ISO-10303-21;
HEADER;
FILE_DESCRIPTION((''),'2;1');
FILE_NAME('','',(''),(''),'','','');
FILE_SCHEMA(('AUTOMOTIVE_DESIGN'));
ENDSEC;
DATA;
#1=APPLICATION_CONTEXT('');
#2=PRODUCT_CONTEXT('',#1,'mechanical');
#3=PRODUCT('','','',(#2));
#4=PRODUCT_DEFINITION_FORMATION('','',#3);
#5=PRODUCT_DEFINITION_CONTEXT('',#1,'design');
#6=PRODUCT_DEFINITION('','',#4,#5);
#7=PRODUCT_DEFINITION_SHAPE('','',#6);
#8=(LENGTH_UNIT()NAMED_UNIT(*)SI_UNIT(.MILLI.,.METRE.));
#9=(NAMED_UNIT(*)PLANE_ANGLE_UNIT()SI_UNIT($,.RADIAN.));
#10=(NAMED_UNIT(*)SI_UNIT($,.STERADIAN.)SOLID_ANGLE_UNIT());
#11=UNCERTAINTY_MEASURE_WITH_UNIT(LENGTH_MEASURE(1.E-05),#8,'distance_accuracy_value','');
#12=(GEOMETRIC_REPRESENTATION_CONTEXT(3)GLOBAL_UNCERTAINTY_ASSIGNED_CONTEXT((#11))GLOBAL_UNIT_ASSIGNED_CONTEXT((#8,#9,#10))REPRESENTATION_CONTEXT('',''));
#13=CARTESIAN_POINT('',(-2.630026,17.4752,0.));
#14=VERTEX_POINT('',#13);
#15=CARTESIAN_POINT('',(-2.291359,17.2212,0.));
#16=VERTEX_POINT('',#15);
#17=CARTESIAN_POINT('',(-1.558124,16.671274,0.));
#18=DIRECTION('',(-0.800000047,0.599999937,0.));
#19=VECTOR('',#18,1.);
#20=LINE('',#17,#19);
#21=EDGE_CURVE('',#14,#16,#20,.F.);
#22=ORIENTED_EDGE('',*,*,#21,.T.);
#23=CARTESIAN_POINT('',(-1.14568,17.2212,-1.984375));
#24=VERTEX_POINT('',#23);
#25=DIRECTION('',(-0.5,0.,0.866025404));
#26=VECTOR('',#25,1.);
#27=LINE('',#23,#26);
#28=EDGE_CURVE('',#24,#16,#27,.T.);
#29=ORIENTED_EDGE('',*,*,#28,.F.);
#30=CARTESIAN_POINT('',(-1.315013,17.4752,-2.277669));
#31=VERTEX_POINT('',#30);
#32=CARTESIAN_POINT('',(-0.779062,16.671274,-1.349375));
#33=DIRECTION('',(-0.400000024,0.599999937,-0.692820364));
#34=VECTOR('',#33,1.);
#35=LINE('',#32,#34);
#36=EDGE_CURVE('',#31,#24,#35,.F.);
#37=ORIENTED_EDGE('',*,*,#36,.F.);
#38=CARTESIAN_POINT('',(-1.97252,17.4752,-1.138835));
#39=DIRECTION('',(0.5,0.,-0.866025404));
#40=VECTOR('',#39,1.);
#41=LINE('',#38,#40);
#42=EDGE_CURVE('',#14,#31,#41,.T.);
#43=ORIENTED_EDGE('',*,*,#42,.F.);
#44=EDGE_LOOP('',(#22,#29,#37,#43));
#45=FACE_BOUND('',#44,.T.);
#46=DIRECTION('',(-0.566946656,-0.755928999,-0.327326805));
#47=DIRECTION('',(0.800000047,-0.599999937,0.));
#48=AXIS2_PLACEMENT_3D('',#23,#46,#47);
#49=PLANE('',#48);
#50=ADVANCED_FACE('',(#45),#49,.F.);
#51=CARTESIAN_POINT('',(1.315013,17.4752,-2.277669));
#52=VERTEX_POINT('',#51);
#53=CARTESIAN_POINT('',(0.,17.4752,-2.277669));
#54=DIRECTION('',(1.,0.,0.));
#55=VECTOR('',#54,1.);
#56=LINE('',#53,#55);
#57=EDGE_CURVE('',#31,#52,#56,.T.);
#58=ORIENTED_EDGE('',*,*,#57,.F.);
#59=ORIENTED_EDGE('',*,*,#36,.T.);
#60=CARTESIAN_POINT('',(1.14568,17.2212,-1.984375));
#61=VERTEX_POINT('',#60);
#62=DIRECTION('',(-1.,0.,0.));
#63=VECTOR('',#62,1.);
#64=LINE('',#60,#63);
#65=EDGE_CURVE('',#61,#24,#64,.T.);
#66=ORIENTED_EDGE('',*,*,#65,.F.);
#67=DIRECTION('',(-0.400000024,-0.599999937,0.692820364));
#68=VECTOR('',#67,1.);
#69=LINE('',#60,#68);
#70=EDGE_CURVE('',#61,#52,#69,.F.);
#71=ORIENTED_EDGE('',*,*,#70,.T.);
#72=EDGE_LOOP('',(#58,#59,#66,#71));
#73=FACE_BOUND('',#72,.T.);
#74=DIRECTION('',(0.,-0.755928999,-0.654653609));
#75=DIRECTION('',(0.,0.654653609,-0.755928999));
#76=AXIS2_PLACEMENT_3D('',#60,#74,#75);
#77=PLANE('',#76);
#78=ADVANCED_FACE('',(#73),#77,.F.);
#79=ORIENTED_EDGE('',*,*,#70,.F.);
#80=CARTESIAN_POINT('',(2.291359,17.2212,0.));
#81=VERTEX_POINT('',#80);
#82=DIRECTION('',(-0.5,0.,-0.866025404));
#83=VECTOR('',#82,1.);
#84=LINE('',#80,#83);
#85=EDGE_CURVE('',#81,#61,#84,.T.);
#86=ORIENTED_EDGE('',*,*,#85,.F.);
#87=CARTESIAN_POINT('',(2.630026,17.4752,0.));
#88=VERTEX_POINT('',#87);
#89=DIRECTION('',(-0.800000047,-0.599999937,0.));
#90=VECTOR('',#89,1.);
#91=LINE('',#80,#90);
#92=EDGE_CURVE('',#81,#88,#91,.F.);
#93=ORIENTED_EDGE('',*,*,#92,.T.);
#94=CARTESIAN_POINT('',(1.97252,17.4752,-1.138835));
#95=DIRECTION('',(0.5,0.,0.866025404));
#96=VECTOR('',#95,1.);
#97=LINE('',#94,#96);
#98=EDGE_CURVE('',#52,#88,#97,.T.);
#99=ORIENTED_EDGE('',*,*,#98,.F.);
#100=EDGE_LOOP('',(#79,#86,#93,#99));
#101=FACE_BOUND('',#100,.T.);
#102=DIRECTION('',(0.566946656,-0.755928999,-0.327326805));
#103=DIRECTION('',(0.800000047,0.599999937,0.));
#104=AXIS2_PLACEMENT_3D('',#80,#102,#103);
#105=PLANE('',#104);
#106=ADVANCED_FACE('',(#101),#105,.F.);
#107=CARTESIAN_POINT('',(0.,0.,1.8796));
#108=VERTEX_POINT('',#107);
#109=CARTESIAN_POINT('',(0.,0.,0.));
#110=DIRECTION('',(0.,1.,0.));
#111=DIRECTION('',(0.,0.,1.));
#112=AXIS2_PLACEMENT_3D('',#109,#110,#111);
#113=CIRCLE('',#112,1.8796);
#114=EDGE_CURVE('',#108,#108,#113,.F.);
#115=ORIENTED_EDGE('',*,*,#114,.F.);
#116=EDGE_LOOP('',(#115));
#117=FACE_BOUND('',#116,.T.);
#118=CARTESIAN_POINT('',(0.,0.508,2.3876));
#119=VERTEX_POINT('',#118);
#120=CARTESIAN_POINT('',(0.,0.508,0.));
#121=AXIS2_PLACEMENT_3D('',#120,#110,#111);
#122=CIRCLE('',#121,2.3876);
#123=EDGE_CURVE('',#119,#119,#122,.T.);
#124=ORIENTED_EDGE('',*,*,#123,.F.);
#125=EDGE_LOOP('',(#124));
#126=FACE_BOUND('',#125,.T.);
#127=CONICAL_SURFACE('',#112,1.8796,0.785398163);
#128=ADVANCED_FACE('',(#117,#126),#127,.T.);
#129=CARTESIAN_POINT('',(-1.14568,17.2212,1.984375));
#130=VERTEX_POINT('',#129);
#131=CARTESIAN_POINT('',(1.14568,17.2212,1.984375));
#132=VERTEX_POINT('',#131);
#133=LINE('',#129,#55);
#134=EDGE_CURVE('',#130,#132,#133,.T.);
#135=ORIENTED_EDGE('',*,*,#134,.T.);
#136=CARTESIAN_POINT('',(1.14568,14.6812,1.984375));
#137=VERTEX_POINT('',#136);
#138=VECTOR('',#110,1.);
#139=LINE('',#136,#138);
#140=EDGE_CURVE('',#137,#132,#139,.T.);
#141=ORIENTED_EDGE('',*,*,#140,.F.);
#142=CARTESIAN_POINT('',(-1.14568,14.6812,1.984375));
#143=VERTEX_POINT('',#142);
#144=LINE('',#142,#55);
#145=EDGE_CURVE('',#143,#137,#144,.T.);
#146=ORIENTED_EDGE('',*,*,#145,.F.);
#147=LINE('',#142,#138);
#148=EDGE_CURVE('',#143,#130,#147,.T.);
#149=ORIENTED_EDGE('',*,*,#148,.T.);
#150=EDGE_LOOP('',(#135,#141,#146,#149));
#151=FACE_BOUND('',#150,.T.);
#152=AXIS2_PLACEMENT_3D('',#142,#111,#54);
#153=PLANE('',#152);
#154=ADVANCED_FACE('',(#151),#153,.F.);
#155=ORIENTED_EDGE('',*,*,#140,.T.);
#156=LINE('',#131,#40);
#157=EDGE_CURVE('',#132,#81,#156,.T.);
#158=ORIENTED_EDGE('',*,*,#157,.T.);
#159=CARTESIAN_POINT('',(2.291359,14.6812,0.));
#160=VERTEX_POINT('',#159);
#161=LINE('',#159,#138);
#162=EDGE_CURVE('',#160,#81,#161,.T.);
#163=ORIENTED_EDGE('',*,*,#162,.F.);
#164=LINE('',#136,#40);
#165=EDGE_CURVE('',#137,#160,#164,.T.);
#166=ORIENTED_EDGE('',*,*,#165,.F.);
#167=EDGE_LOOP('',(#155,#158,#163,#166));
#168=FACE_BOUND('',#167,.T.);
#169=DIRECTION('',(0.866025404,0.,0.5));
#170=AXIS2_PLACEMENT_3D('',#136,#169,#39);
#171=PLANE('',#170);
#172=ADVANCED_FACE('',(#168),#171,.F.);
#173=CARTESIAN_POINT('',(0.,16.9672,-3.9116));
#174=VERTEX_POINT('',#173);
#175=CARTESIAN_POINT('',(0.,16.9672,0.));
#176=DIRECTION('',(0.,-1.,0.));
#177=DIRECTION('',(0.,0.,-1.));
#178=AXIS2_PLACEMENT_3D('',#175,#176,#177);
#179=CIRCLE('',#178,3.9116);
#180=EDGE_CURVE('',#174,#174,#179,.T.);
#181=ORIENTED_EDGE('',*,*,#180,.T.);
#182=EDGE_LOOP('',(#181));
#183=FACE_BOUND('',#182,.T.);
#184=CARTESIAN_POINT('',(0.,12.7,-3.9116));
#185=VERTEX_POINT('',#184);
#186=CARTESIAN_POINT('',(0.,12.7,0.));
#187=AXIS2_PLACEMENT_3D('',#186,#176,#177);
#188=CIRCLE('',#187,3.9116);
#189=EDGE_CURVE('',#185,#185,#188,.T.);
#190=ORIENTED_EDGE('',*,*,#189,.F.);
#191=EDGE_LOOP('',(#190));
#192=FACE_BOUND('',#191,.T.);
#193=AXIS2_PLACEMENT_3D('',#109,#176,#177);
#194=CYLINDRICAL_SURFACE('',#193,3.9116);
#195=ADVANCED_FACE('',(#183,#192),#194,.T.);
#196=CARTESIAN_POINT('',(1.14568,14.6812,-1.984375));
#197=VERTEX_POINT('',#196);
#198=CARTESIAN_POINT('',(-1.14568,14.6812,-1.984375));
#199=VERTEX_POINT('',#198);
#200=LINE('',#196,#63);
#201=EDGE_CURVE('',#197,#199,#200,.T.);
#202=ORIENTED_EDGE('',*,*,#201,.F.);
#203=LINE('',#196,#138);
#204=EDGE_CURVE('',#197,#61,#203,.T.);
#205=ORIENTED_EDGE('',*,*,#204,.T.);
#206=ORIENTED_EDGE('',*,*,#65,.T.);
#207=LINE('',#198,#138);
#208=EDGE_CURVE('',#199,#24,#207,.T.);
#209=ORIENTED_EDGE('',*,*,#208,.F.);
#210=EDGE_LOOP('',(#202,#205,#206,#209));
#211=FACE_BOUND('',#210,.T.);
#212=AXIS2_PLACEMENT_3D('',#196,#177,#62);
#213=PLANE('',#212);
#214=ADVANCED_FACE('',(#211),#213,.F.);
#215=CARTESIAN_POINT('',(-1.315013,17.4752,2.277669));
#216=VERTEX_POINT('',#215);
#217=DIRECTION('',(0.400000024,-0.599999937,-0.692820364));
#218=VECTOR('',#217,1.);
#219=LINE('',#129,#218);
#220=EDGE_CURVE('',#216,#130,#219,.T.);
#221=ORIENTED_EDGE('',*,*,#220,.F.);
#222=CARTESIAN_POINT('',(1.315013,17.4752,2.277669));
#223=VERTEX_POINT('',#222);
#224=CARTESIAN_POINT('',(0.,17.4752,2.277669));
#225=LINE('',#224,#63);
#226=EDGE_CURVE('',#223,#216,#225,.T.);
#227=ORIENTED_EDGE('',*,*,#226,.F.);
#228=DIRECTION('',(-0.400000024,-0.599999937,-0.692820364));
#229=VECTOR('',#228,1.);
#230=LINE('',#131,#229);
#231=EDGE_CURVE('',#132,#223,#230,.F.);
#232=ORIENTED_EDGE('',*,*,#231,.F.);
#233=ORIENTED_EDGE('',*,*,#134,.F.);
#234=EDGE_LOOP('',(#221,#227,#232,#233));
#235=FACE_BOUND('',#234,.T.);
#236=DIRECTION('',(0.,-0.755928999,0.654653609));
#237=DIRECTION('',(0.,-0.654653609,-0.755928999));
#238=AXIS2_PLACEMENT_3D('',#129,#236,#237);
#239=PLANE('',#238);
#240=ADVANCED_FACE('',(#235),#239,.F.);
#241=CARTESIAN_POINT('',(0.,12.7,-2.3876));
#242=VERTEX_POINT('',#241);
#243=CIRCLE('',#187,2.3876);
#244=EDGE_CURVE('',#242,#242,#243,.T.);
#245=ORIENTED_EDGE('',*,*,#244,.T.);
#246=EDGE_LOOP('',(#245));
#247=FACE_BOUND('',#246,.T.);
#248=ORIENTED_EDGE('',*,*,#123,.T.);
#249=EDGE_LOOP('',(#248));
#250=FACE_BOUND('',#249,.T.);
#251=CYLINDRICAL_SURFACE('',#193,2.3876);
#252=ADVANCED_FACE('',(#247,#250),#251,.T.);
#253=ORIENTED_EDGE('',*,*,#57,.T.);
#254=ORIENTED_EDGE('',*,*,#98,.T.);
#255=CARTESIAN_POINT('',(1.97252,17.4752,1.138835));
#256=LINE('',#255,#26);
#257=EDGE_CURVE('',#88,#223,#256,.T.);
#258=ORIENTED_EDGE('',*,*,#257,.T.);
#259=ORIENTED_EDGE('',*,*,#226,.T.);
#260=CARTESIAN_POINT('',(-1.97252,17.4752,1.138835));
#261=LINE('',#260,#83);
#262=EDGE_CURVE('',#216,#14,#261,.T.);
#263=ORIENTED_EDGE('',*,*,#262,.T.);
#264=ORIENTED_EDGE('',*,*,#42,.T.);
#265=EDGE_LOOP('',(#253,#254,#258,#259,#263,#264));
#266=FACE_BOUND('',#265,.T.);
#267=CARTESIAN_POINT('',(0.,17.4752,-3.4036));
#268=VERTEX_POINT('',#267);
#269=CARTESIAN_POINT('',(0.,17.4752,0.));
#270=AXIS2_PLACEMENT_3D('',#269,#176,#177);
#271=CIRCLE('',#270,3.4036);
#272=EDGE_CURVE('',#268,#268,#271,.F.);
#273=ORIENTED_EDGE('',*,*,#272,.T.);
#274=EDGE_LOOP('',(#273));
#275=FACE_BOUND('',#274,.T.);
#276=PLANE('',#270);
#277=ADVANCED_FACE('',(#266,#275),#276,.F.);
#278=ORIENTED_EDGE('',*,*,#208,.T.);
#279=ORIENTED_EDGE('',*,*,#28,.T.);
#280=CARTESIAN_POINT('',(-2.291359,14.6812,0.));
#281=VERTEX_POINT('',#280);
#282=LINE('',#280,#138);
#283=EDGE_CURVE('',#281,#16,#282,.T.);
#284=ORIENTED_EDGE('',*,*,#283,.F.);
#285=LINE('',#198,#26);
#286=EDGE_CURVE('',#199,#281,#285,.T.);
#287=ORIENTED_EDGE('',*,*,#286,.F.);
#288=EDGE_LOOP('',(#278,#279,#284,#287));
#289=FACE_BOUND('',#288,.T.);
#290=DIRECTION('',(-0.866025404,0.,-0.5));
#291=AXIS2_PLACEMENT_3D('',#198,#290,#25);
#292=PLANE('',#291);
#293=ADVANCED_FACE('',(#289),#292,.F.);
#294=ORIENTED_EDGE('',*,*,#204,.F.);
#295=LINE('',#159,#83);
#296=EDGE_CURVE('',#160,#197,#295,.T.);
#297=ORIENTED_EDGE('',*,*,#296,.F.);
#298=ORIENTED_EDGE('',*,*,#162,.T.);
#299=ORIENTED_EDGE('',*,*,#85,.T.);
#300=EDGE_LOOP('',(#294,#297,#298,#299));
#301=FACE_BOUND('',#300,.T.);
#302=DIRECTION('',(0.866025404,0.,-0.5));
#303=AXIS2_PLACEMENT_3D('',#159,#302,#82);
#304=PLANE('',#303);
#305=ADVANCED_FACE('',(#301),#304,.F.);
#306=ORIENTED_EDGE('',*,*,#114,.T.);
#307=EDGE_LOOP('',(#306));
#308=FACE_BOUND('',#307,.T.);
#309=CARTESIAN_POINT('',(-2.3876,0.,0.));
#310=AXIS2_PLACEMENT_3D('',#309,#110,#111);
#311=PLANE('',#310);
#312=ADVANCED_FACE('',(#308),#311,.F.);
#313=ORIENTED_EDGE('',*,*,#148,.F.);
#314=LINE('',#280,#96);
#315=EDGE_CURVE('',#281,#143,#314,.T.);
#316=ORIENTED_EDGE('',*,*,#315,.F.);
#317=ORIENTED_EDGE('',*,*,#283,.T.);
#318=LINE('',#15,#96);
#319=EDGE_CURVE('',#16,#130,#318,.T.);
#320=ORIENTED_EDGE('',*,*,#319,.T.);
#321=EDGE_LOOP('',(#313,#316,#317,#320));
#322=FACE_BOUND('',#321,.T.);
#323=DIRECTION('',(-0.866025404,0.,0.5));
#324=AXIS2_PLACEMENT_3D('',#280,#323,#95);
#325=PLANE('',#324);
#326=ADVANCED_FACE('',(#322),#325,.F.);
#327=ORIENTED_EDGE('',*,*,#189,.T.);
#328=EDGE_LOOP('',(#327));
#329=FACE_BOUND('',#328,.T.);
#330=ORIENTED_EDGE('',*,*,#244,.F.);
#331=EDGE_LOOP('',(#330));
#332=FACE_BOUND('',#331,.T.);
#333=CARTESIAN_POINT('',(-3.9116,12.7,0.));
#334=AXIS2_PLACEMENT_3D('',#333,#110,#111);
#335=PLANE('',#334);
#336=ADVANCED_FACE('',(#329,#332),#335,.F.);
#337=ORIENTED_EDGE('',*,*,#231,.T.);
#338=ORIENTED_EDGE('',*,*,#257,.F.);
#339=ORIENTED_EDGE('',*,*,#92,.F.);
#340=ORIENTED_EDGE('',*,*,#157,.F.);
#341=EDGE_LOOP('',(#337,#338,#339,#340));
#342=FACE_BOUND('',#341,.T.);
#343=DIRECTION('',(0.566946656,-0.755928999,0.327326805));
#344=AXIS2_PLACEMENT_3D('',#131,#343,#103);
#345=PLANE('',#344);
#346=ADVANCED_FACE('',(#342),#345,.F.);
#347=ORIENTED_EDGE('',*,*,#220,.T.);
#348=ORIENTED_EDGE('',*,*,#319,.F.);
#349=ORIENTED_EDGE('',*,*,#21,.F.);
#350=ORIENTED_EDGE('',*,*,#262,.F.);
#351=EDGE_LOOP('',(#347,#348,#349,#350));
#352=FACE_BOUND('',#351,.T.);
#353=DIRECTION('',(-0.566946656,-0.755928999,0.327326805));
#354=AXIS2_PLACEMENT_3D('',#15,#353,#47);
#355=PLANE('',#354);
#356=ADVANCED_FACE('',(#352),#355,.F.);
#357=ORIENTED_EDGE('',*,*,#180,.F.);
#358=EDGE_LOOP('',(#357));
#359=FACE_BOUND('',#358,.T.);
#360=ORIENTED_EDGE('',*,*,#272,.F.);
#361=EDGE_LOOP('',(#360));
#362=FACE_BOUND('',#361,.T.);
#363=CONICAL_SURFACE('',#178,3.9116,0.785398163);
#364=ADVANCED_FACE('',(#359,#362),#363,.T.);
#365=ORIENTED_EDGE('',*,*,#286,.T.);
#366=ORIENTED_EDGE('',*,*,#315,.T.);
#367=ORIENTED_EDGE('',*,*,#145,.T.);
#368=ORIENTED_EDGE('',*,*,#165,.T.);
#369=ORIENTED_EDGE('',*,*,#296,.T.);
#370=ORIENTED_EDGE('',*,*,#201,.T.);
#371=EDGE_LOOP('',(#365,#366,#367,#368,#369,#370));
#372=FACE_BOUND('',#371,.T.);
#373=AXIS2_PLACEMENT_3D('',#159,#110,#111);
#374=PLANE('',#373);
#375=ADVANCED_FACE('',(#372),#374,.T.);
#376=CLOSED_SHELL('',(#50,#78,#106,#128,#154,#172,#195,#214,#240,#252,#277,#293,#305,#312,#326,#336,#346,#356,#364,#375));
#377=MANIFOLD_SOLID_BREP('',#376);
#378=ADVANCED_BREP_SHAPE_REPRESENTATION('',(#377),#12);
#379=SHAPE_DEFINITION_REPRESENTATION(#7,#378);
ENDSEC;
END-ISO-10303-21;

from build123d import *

# Parameters (mm, degrees)
EXTRUDE1_DEPTH = 2.794
CHAMFER1_SIZE  = 0.508
CHAMFER2_SIZE  = 0.29329394
CHAMFER2_SIZE2 = 0.253999961


with BuildPart() as part:
    # Sketch1 → Revolve1 (revolve)
    with BuildSketch(Plane.XY, mode=Mode.PRIVATE) as revolve1_sk:
        Polygon((0, 0), (0, 17.4752), (-3.9116, 17.4752), (-3.9116, 12.7), (-2.3876, 12.7), (-2.3876, 0), align=None)
    revolve(revolve1_sk.sketch.rotate(Axis((0, 0, 0), (0, 1, 0)), 270), axis=Axis((0, 0, 0), (0, 1, 0)))

    # Sketch2 → Extrude1 (cut)
    with BuildSketch(Plane(origin=(0, 17.4752, 0), x_dir=(1, 0, 0), z_dir=(0, 1, 0))):
        Polygon((2.2913594, 0), (1.1456797, 1.98437545), (-1.1456797, 1.98437545), (-2.2913594, 0), (-1.1456797, -1.98437545), (1.1456797, -1.98437545), align=None)
    extrude(amount=-EXTRUDE1_DEPTH, mode=Mode.SUBTRACT)

    # Chamfer1
    chamfer1_edges = [part.edges().sort_by_distance(p)[0] for p in [
        (0, 0, 2.3876),
        (0, 17.4752, 3.9116),
    ]]
    chamfer(chamfer1_edges, length=CHAMFER1_SIZE)

    # Chamfer2
    chamfer2_edges = [part.edges().sort_by_distance(p)[0] for p in [
        (1.71851955, 17.4752, 0.992187725),
        (1.71851955, 17.4752, -0.992187725),
        (0, 17.4752, -1.98437545),
        (-1.71851955, 17.4752, -0.992187725),
        (-1.71851955, 17.4752, 0.992187725),
        (0, 17.4752, 1.98437545),
    ]]
    chamfer2_side = [part.faces().sort_by_distance(p)[0] for p in [
        (0, 17.4752, 3.307331654),
    ]]
    chamfer(chamfer2_edges, length=CHAMFER2_SIZE, length2=CHAMFER2_SIZE2, reference=chamfer2_side[0])


solid = part.part
